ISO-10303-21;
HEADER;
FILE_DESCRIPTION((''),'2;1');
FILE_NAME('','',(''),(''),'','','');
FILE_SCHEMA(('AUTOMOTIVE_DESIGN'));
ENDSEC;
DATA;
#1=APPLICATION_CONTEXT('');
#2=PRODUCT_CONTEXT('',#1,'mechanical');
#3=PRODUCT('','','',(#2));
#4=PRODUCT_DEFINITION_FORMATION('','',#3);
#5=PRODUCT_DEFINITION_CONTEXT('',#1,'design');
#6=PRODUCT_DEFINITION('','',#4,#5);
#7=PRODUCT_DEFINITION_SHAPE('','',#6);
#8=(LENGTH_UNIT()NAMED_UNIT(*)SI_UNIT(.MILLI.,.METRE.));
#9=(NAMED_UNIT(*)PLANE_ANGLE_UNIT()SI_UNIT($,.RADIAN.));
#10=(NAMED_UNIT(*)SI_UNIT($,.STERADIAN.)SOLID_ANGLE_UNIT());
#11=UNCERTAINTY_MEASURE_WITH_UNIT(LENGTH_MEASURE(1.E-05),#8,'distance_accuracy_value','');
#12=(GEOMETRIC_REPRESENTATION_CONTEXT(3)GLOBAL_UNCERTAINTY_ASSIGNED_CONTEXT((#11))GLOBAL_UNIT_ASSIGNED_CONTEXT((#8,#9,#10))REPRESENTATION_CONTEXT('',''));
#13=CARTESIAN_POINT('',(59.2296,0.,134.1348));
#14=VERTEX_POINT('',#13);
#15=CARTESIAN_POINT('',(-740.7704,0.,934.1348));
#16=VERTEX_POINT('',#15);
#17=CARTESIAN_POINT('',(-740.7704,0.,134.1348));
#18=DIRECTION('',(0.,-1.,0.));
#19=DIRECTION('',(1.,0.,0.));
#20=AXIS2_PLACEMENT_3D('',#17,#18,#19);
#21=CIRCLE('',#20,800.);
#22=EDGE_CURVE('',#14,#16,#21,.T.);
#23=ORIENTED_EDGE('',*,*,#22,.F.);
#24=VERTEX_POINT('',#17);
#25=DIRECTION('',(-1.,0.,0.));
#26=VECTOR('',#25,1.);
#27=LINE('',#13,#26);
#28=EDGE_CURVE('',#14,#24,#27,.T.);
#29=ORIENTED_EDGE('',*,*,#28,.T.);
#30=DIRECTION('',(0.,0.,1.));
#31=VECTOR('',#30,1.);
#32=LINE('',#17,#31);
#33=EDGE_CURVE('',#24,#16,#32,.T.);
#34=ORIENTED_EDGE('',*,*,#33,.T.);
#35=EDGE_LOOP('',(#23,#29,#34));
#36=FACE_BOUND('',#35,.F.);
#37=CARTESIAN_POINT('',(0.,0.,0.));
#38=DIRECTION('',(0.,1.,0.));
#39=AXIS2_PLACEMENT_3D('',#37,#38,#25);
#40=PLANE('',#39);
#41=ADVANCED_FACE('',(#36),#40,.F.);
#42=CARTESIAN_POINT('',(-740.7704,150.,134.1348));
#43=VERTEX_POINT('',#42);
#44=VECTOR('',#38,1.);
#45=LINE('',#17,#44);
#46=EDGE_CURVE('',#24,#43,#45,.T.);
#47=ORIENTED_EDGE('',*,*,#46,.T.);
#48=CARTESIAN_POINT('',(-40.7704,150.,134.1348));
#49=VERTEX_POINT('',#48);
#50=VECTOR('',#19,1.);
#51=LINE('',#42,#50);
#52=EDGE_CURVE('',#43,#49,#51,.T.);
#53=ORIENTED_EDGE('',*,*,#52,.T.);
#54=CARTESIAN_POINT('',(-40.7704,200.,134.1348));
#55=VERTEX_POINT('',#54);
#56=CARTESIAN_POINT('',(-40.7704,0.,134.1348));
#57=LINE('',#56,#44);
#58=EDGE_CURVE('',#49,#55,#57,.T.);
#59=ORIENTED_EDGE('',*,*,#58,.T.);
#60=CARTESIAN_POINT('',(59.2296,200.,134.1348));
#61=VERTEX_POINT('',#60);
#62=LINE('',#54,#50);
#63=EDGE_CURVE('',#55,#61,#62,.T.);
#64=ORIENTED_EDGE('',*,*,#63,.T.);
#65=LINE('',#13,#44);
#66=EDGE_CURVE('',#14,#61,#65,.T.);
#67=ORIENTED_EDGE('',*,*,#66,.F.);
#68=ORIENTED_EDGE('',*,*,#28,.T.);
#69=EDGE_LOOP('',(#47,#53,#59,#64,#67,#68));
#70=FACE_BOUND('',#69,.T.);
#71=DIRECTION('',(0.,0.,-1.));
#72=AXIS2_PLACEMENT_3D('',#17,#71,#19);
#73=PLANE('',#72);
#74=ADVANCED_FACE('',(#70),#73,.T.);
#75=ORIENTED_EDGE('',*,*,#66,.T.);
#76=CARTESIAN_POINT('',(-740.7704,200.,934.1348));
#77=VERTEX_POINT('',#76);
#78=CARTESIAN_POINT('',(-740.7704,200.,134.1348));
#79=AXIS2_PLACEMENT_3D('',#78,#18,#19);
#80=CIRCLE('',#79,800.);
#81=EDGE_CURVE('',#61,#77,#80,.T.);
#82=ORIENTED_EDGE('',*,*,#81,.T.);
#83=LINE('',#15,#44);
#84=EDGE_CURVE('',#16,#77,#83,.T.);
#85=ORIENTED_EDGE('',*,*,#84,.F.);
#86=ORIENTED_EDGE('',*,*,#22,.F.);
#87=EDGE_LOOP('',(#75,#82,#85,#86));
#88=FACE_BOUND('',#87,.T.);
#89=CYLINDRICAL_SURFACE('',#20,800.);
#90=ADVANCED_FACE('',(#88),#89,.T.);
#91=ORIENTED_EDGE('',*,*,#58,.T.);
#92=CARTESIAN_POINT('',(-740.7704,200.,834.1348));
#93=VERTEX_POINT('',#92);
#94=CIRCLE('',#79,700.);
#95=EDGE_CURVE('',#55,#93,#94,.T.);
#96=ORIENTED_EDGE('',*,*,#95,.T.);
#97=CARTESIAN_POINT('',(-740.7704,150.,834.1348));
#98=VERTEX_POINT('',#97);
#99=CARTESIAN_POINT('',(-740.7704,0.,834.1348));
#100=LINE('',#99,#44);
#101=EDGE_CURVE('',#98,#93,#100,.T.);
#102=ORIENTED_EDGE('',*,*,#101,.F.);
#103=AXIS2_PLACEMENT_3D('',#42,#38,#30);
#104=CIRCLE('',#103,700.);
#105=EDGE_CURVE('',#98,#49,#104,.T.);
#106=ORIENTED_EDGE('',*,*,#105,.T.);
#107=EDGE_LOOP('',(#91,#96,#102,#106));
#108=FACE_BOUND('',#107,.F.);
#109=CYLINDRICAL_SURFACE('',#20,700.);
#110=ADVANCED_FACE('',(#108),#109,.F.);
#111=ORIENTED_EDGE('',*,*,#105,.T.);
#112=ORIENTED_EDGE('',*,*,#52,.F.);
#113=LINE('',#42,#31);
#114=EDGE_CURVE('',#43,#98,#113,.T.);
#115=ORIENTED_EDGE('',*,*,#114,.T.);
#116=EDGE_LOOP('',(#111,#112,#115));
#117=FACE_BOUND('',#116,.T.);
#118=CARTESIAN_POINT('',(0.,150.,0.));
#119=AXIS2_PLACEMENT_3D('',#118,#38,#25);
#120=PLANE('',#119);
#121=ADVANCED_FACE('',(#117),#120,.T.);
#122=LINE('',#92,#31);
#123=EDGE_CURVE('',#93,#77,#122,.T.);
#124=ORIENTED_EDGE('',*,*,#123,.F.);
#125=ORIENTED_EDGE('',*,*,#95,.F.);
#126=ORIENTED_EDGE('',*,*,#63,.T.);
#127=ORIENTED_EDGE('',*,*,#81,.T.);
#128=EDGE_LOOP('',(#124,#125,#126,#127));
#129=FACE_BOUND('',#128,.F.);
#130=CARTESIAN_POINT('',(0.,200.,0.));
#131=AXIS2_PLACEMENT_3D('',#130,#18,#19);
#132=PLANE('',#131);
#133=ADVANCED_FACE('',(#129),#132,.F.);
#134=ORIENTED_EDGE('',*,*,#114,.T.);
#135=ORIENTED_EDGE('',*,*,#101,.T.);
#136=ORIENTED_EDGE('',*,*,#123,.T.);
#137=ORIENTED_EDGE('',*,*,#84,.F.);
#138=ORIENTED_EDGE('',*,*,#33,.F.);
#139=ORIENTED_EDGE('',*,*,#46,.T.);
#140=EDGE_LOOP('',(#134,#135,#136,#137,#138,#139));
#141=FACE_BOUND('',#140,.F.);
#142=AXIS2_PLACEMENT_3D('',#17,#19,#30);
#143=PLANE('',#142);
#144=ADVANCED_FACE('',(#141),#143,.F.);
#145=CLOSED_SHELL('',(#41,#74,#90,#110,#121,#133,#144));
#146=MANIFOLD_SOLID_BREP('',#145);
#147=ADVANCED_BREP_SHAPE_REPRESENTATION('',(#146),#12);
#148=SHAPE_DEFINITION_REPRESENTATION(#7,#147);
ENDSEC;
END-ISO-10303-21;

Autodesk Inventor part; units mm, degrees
ref_plane "YZ Plane" through (0, 0, 0) normal (1, 0, 0) x (0, 1, 0)
ref_plane "XZ Plane" through (0, 0, 0) normal (0, 1, 0) x (-1, 0, 0)
ref_plane "XY Plane" through (0, 0, 0) normal (0, 0, 1) x (1, 0, 0)
sketch "Sketch1" plane through (0, 0, 0) normal (0, 1, 0) x (-1, 0, 0)
  arc A0 (740.7704, 834.1348) -> (40.7704, 134.1348) centre (740.7704, 134.1348) ccw
  line L0 (740.7704, 134.1348) -> (40.7704, 134.1348)
  line L1 (740.7704, 134.1348) -> (740.7704, 834.1348)
  line L2 (909.7653, 0) -> (-273.1993, 0) projected
  dimension "d2" = 1400
extrude "Extrusion1" add sketch "Sketch1" along normal blind 150
sketch "Sketch2" plane through (0, 0, 0) normal (0, -1, 0) x (1, 0, 0)
  arc A0 (-40.7704, 134.1348) -> (-740.7704, 834.1348) centre (-740.7704, 134.1348) ccw projected
  line L0 (-740.7704, 134.1348) -> (-740.7704, 834.1348) projected
  line L1 (-40.7704, 134.1348) -> (-740.7704, 134.1348) projected
  arc A1 (59.2296, 134.1348) -> (-740.7704, 934.1348) centre (-740.7704, 134.1348) ccw
  arc A2 (-40.7704, 134.1348) -> (-740.7704, 834.1348) centre (-740.7704, 134.1348) ccw projected
  line L2 (-40.7704, 134.1348) -> (59.2296, 134.1348)
  line L3 (-740.7704, 834.1348) -> (-740.7704, 934.1348)
  point P0 (0, 0)
  dimension "d5" = 100
extrude "Extrusion2" add sketch "Sketch2" against normal blind 200 contours A0 L3 A1 L2
properties part number "McCrea_zakruta_walle"
